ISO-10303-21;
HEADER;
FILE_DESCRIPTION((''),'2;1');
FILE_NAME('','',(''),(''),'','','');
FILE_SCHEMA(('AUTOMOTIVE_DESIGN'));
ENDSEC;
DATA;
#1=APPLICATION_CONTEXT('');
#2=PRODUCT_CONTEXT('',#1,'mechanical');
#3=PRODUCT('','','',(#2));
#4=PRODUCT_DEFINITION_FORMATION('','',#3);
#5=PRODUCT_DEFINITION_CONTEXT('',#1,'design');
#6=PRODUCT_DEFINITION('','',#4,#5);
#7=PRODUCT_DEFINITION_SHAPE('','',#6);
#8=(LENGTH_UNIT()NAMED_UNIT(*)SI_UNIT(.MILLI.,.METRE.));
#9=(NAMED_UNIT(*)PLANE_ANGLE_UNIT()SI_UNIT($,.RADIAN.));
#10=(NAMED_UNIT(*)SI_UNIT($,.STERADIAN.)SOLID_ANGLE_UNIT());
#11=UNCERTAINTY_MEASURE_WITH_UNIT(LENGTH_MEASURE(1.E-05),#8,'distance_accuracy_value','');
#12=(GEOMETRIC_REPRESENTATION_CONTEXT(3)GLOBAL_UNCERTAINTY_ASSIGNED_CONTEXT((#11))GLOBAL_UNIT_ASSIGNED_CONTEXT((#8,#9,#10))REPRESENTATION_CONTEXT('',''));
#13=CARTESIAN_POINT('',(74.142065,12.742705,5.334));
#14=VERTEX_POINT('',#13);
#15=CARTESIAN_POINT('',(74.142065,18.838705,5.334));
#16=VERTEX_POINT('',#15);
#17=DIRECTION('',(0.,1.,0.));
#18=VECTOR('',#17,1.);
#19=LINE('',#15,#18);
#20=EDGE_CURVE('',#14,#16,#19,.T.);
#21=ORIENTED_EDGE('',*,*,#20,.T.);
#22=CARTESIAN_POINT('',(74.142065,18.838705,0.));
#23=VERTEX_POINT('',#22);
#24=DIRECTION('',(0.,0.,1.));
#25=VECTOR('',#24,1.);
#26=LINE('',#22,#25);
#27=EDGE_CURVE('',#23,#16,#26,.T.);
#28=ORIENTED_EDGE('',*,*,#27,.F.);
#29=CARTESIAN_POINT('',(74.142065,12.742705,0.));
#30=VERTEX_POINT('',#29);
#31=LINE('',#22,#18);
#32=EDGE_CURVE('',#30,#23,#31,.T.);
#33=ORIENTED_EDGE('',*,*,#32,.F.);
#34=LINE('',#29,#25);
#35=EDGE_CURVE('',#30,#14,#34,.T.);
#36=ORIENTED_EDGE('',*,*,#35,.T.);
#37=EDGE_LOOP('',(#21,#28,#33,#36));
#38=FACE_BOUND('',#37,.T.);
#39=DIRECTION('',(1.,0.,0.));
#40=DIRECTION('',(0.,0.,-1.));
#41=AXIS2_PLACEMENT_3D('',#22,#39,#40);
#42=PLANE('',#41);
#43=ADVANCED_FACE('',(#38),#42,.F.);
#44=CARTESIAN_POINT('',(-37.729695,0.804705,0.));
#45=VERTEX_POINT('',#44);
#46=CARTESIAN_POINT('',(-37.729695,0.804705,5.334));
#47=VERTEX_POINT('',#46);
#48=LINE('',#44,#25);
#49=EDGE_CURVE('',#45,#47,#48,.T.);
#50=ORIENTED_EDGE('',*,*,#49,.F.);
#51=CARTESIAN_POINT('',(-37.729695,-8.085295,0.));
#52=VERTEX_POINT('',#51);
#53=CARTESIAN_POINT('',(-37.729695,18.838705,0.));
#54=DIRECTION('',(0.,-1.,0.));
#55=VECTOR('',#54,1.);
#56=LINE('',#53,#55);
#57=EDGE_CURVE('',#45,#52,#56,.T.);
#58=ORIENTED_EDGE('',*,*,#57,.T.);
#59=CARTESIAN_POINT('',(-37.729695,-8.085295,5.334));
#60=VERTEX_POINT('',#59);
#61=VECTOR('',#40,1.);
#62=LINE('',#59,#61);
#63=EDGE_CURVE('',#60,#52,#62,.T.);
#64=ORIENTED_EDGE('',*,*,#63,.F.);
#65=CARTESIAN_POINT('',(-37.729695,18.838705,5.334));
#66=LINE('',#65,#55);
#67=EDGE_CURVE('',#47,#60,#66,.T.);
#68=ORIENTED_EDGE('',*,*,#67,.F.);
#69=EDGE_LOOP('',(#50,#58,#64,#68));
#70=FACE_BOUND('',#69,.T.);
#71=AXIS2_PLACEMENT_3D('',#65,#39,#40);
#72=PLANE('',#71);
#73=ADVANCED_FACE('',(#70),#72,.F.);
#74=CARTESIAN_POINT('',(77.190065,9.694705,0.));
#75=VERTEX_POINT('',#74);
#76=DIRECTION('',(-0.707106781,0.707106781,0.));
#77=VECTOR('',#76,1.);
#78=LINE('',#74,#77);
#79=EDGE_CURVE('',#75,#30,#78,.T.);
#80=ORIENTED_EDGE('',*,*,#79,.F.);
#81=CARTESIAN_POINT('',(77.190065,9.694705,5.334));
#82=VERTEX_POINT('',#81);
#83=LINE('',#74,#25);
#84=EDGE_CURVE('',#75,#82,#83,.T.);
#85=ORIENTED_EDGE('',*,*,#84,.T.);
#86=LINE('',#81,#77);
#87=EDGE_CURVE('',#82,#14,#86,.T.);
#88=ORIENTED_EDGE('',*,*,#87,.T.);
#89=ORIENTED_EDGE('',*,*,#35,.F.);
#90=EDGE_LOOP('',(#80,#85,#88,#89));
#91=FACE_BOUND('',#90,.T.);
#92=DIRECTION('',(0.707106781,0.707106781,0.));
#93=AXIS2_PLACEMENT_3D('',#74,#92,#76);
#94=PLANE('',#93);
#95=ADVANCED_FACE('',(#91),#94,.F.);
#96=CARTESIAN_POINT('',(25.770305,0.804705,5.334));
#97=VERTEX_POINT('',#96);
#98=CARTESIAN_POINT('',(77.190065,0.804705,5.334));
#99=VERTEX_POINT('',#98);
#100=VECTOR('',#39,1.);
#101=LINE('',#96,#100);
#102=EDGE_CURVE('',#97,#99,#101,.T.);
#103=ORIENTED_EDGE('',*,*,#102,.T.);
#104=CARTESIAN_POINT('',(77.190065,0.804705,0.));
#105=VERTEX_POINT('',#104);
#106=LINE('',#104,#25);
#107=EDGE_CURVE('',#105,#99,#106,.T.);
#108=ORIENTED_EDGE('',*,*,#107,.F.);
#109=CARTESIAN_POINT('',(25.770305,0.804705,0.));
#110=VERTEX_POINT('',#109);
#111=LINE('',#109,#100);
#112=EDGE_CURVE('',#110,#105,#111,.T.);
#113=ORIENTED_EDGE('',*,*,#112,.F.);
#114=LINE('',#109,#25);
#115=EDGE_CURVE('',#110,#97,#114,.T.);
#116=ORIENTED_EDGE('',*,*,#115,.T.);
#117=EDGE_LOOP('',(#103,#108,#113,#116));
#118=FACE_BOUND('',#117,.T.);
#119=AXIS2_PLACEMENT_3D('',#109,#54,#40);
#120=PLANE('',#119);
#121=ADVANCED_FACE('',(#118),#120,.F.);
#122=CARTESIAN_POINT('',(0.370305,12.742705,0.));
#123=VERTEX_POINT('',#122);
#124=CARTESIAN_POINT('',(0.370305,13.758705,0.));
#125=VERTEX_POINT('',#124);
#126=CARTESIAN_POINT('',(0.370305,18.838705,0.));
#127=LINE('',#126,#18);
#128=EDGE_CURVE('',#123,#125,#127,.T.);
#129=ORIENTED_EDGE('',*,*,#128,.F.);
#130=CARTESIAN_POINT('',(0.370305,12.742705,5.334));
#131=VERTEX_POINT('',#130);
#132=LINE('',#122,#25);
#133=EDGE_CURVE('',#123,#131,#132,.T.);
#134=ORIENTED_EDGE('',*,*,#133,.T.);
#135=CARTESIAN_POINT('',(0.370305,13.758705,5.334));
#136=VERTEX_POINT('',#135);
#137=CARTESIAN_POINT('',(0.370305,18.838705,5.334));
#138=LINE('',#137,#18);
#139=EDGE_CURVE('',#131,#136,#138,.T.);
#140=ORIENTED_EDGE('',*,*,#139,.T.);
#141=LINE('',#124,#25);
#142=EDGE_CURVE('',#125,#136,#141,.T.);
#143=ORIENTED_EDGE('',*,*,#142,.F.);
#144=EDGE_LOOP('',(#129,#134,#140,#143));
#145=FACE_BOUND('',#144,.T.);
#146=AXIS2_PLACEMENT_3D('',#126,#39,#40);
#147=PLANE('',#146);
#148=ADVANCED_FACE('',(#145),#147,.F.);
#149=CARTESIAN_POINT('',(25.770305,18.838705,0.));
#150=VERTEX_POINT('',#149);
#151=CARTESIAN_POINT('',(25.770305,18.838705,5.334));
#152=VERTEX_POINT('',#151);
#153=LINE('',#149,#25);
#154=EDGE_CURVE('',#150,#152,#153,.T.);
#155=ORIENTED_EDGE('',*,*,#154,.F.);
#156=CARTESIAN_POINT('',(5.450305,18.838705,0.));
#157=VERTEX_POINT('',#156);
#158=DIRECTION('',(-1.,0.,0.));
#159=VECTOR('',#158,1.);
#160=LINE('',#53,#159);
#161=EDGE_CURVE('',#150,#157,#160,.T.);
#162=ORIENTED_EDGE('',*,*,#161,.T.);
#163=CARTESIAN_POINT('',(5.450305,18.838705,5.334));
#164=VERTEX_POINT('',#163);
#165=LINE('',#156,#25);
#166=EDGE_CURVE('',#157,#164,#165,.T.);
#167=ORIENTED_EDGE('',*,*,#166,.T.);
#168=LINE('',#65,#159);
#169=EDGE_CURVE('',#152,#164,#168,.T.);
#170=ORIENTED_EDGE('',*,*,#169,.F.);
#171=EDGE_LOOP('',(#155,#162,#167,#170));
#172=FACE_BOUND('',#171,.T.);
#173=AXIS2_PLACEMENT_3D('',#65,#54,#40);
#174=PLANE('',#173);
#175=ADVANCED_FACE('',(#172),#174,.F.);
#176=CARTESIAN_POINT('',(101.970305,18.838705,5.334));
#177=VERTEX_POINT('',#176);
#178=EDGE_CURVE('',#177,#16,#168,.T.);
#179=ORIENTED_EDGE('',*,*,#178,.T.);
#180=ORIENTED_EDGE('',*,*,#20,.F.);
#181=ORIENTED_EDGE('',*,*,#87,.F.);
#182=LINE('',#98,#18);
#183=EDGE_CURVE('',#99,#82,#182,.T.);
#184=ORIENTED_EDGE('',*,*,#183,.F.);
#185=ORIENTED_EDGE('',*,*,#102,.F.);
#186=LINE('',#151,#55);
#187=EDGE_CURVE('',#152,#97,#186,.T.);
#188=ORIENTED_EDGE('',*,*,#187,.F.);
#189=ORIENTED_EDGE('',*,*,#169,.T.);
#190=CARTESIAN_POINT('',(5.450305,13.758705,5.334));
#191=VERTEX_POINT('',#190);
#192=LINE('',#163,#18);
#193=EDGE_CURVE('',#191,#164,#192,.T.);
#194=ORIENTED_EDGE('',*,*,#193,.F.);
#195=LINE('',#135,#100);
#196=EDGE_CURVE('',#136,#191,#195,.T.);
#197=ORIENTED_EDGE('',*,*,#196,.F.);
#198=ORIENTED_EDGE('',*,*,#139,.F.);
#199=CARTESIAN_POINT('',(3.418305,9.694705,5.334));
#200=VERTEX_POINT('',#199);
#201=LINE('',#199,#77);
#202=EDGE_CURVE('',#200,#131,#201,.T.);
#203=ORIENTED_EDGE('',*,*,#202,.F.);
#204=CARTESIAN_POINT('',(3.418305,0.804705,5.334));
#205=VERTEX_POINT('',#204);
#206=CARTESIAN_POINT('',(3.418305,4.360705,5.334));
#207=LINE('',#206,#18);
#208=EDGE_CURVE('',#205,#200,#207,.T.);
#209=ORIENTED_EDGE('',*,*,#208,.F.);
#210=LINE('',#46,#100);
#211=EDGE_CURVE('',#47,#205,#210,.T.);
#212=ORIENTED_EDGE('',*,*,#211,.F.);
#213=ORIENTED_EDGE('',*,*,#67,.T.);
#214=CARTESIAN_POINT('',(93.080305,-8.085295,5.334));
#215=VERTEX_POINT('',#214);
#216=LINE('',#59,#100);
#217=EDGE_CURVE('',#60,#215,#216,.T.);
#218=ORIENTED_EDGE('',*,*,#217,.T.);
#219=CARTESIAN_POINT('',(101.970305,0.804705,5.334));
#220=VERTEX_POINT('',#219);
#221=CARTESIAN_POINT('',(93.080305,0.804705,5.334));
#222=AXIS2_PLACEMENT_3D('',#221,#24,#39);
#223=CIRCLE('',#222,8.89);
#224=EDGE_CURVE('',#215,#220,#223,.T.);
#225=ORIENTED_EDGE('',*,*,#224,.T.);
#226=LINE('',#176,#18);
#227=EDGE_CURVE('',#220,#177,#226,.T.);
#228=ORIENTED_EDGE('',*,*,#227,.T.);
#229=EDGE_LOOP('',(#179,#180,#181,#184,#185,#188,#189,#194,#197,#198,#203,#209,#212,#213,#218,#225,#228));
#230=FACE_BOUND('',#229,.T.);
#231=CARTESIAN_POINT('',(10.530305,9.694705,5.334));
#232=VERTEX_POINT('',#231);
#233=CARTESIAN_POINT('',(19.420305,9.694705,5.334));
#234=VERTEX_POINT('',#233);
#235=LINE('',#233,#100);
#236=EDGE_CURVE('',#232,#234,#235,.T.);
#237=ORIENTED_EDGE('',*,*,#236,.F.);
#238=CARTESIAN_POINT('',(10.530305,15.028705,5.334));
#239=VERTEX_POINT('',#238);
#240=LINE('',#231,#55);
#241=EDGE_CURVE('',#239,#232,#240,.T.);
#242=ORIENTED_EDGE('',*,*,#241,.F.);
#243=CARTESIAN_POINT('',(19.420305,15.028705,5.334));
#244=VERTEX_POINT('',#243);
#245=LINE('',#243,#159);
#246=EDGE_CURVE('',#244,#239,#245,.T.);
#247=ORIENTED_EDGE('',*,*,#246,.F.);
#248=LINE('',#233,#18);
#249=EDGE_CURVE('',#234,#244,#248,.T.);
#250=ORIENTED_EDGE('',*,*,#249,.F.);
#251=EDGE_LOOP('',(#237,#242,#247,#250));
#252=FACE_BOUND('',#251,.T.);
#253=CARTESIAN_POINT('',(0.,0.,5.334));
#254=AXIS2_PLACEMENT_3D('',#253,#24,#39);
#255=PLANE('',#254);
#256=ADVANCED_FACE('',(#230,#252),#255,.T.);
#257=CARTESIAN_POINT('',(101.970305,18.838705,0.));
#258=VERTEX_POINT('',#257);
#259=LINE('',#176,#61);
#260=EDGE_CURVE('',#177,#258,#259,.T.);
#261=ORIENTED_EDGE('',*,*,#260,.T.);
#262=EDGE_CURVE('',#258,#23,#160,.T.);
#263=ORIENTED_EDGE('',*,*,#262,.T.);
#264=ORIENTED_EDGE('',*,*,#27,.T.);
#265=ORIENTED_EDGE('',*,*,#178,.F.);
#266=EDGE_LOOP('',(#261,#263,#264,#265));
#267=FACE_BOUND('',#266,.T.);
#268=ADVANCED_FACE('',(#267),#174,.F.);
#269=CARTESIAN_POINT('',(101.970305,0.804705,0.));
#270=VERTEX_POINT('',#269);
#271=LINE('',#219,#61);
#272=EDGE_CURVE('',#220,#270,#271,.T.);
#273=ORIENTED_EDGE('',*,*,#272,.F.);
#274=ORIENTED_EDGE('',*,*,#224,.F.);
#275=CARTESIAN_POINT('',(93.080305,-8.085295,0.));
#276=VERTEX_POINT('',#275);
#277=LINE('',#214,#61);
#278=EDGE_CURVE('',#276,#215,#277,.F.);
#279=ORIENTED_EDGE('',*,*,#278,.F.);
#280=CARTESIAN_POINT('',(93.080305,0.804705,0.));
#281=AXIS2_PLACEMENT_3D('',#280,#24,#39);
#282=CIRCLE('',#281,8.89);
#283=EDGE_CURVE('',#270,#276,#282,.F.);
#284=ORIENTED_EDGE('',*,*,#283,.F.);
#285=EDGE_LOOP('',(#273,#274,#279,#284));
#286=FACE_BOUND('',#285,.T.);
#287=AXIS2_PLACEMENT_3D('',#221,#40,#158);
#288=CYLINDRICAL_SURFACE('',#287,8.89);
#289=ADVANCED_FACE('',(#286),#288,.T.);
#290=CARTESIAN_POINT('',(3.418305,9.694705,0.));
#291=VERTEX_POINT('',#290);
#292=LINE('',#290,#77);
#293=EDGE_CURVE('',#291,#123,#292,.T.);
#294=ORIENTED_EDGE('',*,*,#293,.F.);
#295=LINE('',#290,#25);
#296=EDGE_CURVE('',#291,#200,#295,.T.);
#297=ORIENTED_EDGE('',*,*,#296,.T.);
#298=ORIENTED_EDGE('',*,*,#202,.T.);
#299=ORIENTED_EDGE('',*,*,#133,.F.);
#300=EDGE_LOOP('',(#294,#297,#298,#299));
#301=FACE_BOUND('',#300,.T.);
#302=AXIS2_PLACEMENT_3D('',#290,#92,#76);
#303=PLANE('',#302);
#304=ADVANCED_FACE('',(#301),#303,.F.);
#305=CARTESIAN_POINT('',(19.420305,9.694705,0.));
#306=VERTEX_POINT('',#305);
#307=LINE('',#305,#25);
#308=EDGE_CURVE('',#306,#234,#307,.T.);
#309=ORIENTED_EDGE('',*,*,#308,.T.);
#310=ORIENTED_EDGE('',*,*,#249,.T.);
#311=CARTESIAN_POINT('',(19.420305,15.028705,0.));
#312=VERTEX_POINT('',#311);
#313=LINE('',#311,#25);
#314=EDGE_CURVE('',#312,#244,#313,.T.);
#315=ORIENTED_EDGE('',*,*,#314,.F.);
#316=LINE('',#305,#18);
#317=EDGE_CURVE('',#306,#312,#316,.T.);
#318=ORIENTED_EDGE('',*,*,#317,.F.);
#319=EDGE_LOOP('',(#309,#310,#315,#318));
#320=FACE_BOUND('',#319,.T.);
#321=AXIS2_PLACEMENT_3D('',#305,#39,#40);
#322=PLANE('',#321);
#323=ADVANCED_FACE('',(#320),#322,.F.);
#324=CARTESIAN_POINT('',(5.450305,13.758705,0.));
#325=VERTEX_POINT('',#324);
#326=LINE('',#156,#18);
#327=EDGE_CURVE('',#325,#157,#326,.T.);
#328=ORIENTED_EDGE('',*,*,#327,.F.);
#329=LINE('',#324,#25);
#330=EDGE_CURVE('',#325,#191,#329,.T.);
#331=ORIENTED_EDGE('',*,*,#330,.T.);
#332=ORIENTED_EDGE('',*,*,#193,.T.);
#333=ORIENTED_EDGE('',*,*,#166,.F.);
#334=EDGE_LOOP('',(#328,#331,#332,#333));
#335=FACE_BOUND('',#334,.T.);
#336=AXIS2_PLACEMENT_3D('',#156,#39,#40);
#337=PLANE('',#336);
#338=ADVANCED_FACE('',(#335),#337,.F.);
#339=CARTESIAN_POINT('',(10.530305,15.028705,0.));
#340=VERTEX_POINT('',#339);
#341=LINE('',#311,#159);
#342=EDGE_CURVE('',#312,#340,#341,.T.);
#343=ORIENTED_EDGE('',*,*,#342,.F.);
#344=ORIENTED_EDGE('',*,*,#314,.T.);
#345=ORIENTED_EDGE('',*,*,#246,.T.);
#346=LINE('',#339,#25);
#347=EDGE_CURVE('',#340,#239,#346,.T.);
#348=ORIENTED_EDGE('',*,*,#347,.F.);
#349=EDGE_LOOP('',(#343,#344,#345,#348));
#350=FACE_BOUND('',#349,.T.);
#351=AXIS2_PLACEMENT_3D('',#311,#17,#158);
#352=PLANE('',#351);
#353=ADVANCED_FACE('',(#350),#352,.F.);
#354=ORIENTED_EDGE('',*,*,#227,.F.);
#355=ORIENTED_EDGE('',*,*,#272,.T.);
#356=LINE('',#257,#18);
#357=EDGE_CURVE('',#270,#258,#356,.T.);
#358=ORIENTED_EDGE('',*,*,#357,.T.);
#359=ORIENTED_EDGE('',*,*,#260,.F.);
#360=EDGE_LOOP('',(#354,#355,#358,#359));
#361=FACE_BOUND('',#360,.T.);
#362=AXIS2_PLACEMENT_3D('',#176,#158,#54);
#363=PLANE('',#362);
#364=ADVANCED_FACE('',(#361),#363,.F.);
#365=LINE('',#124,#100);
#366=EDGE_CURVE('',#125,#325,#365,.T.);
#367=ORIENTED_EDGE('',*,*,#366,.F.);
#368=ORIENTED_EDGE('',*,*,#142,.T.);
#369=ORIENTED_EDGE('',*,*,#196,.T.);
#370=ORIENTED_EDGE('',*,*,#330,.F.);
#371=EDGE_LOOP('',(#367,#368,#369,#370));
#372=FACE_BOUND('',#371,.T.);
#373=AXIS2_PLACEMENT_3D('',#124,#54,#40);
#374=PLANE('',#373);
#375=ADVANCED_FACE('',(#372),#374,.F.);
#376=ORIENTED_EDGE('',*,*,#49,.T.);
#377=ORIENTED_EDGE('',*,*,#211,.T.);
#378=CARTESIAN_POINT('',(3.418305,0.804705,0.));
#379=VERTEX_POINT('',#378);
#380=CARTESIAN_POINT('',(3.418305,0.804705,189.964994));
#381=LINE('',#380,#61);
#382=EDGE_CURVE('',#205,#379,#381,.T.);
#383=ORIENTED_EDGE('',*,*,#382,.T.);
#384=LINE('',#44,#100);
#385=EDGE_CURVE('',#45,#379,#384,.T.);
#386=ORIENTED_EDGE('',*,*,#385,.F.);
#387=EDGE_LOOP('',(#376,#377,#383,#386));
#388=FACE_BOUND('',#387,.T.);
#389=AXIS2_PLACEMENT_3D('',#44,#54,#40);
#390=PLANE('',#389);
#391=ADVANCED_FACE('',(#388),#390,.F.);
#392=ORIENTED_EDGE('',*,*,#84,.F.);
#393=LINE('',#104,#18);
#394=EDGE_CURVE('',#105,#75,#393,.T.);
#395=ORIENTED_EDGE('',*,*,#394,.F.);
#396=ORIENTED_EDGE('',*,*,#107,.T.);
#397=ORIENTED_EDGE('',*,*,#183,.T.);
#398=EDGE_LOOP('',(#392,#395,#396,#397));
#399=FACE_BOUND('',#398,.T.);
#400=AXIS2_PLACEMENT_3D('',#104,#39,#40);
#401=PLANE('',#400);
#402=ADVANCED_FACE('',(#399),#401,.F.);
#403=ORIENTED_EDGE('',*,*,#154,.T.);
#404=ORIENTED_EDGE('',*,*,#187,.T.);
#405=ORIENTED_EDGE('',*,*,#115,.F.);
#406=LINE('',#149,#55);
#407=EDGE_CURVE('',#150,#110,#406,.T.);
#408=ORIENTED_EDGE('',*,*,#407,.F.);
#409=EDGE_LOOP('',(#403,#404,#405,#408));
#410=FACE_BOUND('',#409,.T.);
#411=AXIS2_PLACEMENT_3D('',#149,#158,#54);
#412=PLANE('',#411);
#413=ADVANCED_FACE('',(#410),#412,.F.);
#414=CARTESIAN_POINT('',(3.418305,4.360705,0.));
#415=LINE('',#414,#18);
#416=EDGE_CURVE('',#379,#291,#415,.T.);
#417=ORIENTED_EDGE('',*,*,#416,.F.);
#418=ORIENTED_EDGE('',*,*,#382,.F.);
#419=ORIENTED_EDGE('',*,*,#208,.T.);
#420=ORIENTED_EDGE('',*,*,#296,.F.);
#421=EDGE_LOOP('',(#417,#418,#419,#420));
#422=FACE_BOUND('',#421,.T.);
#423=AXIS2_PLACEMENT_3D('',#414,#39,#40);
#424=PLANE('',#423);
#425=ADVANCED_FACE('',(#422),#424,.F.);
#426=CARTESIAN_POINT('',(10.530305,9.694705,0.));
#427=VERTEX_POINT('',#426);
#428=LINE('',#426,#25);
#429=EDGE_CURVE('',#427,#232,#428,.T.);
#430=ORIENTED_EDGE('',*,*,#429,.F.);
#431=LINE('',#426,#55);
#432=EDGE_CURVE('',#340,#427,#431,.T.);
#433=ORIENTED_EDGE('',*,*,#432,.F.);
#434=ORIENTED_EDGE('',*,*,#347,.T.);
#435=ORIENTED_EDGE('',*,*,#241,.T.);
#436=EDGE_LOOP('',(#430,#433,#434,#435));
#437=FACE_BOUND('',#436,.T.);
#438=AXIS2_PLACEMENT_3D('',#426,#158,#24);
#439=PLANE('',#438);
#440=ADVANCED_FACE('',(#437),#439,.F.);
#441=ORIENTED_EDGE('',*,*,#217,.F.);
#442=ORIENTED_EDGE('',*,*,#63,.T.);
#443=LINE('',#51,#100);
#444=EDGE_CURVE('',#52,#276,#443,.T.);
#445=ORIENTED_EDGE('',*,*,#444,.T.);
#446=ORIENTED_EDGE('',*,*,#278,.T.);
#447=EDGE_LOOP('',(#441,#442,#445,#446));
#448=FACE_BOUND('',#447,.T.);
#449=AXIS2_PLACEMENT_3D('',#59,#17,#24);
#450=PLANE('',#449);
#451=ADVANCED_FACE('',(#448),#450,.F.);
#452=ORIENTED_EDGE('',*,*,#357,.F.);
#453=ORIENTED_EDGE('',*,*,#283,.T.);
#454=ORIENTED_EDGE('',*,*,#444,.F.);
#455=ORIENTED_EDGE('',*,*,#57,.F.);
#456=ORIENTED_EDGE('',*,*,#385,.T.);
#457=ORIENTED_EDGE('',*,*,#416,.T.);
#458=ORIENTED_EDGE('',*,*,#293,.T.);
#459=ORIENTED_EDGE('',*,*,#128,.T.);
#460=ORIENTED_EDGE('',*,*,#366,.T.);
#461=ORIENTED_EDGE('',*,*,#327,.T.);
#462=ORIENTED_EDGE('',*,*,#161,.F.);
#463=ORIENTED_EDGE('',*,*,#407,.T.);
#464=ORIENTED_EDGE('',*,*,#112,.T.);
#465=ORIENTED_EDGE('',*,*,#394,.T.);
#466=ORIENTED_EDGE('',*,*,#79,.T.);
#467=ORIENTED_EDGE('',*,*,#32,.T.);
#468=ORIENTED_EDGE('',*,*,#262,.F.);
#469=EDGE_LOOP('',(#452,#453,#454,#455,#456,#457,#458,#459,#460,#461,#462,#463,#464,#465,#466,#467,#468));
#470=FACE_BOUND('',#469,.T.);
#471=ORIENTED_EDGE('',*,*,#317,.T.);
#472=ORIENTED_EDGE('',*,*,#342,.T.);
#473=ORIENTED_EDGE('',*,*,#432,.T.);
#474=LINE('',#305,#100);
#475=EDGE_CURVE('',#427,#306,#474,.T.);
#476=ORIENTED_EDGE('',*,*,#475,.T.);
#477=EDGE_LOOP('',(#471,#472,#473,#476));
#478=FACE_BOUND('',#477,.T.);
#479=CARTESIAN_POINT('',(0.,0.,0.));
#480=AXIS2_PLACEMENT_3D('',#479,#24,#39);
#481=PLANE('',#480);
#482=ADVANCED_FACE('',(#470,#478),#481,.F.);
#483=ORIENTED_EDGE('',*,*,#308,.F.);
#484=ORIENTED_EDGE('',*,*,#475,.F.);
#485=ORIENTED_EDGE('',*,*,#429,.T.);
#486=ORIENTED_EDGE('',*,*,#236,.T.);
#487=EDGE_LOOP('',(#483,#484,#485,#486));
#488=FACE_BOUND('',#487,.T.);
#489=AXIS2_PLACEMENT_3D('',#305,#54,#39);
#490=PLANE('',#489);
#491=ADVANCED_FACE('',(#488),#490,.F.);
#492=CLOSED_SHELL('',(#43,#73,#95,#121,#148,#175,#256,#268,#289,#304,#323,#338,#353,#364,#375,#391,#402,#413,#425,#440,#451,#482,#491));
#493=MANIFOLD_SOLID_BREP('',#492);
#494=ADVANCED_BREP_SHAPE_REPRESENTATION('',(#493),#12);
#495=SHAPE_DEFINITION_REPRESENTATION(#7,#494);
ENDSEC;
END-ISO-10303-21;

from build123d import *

# Parameters (mm, degrees)
SKETCH1_W               = 139.7
SKETCH1_H               = 26.924
BOSS_EXTRUDE1_DEPTH     = 5.334
SKETCH2_W               = 38.1
SKETCH2_H               = 18.034
CUT_EXTRUDE1_DEPTH      = 104.832998003
SKETCH3_W               = 48.37176
SKETCH3_H               = 18.034
CUT_EXTRUDE3_DEPTH      = 104.832998003
SKETCH4_W               = 5.08
SKETCH4_H               = 5.08
CUT_EXTRUDE4_DEPTH      = 104.832998003
FILLET1_R               = 8.89
SKETCH5_W               = 8.89
SKETCH5_H               = 5.334
CUT_EXTRUDE5_DEPTH      = 104.832998003
SKETCH6_W               = 3.048
SKETCH6_H               = 8.89
CUT_EXTRUDE6_DEPTH      = 104.832998003
CUT_EXTRUDE7_DEPTH      = 104.832998003
CUT_EXTRUDE8_DEPTH      = 104.832998003
CUT_EXTRUDE9_DEPTH      = 104.832998003
CUT_EXTRUDE9_DEPTH_BACK = 104.832998003


with BuildPart() as part:
    # Sketch1 → Boss-Extrude1 (new body)
    with BuildSketch(Plane.XY):
        with Locations((32.120305114, 5.376704658)):
            Rectangle(SKETCH1_W, SKETCH1_H)
    extrude(amount=BOSS_EXTRUDE1_DEPTH)

    # Sketch2 → Cut-Extrude1 (cut, through all)
    with BuildSketch(Plane.XY.offset(5.334)):
        with Locations((-18.679694886, 9.821704658)):
            Rectangle(SKETCH2_W, SKETCH2_H)
    extrude(amount=-CUT_EXTRUDE1_DEPTH, mode=Mode.SUBTRACT)

    # Sketch3 → Cut-Extrude3 (cut, through all)
    with BuildSketch(Plane.XY.offset(5.334)):
        with Locations((49.956185114, 9.821704658)):
            Rectangle(SKETCH3_W, SKETCH3_H)
    extrude(amount=-CUT_EXTRUDE3_DEPTH, mode=Mode.SUBTRACT)

    # Sketch4 → Cut-Extrude4 (cut, through all)
    with BuildSketch(Plane.XY.offset(5.334)):
        with Locations((2.910305114, 16.298704658)):
            Rectangle(SKETCH4_W, SKETCH4_H)
    extrude(amount=-CUT_EXTRUDE4_DEPTH, mode=Mode.SUBTRACT)

    # Fillet1
    fillet1_edges = [part.edges().sort_by_distance(p)[0] for p in [
        (101.970305114, -8.085295342, 2.667),
    ]]
    fillet(fillet1_edges, radius=FILLET1_R)

    # Sketch5 → Cut-Extrude5 (cut, through all)
    with BuildSketch(Plane.XY.offset(5.334)):
        with Locations((14.975305114, 12.361704658)):
            Rectangle(SKETCH5_W, SKETCH5_H)
    extrude(amount=-CUT_EXTRUDE5_DEPTH, mode=Mode.SUBTRACT)

    # Sketch6 → Cut-Extrude6 (cut, through all)
    with BuildSketch(Plane.XY.offset(5.334)):
        with Locations((75.666065114, 5.249704658)):
            Rectangle(SKETCH6_W, SKETCH6_H)
    extrude(amount=-CUT_EXTRUDE6_DEPTH, mode=Mode.SUBTRACT)

    # Sketch7 → Cut-Extrude7 (cut, through all)
    with BuildSketch(Plane.XY.offset(5.334)):
        Polygon((77.190065114, 9.694704658), (74.142065114, 12.742704658), (74.142065114, 9.694704658), align=None)
    extrude(amount=-CUT_EXTRUDE7_DEPTH, mode=Mode.SUBTRACT)

    # Sketch8 → Cut-Extrude8 (cut, through all)
    with BuildSketch(Plane.XY.offset(5.334)):
        Polygon((0.370305114, 1.312704658), (3.418305114, 4.360704658), (3.418305114, 9.694704658), (0.370305114, 12.742704658), align=None)
    extrude(amount=-CUT_EXTRUDE8_DEPTH, mode=Mode.SUBTRACT)

    # Sketch9 → Cut-Extrude9 (cut, two sides: drawn at the far end of the back side and taken through both)
    with BuildSketch(Plane.XY.offset(5.334).offset(-CUT_EXTRUDE9_DEPTH_BACK)):
        Polygon((3.418305114, 0.804704658), (3.418305114, 4.360704658), (0.370305114, 1.312704658), (0.370305114, 0.804704658), align=None)
    extrude(amount=CUT_EXTRUDE9_DEPTH + CUT_EXTRUDE9_DEPTH_BACK, mode=Mode.SUBTRACT)


solid = part.part
